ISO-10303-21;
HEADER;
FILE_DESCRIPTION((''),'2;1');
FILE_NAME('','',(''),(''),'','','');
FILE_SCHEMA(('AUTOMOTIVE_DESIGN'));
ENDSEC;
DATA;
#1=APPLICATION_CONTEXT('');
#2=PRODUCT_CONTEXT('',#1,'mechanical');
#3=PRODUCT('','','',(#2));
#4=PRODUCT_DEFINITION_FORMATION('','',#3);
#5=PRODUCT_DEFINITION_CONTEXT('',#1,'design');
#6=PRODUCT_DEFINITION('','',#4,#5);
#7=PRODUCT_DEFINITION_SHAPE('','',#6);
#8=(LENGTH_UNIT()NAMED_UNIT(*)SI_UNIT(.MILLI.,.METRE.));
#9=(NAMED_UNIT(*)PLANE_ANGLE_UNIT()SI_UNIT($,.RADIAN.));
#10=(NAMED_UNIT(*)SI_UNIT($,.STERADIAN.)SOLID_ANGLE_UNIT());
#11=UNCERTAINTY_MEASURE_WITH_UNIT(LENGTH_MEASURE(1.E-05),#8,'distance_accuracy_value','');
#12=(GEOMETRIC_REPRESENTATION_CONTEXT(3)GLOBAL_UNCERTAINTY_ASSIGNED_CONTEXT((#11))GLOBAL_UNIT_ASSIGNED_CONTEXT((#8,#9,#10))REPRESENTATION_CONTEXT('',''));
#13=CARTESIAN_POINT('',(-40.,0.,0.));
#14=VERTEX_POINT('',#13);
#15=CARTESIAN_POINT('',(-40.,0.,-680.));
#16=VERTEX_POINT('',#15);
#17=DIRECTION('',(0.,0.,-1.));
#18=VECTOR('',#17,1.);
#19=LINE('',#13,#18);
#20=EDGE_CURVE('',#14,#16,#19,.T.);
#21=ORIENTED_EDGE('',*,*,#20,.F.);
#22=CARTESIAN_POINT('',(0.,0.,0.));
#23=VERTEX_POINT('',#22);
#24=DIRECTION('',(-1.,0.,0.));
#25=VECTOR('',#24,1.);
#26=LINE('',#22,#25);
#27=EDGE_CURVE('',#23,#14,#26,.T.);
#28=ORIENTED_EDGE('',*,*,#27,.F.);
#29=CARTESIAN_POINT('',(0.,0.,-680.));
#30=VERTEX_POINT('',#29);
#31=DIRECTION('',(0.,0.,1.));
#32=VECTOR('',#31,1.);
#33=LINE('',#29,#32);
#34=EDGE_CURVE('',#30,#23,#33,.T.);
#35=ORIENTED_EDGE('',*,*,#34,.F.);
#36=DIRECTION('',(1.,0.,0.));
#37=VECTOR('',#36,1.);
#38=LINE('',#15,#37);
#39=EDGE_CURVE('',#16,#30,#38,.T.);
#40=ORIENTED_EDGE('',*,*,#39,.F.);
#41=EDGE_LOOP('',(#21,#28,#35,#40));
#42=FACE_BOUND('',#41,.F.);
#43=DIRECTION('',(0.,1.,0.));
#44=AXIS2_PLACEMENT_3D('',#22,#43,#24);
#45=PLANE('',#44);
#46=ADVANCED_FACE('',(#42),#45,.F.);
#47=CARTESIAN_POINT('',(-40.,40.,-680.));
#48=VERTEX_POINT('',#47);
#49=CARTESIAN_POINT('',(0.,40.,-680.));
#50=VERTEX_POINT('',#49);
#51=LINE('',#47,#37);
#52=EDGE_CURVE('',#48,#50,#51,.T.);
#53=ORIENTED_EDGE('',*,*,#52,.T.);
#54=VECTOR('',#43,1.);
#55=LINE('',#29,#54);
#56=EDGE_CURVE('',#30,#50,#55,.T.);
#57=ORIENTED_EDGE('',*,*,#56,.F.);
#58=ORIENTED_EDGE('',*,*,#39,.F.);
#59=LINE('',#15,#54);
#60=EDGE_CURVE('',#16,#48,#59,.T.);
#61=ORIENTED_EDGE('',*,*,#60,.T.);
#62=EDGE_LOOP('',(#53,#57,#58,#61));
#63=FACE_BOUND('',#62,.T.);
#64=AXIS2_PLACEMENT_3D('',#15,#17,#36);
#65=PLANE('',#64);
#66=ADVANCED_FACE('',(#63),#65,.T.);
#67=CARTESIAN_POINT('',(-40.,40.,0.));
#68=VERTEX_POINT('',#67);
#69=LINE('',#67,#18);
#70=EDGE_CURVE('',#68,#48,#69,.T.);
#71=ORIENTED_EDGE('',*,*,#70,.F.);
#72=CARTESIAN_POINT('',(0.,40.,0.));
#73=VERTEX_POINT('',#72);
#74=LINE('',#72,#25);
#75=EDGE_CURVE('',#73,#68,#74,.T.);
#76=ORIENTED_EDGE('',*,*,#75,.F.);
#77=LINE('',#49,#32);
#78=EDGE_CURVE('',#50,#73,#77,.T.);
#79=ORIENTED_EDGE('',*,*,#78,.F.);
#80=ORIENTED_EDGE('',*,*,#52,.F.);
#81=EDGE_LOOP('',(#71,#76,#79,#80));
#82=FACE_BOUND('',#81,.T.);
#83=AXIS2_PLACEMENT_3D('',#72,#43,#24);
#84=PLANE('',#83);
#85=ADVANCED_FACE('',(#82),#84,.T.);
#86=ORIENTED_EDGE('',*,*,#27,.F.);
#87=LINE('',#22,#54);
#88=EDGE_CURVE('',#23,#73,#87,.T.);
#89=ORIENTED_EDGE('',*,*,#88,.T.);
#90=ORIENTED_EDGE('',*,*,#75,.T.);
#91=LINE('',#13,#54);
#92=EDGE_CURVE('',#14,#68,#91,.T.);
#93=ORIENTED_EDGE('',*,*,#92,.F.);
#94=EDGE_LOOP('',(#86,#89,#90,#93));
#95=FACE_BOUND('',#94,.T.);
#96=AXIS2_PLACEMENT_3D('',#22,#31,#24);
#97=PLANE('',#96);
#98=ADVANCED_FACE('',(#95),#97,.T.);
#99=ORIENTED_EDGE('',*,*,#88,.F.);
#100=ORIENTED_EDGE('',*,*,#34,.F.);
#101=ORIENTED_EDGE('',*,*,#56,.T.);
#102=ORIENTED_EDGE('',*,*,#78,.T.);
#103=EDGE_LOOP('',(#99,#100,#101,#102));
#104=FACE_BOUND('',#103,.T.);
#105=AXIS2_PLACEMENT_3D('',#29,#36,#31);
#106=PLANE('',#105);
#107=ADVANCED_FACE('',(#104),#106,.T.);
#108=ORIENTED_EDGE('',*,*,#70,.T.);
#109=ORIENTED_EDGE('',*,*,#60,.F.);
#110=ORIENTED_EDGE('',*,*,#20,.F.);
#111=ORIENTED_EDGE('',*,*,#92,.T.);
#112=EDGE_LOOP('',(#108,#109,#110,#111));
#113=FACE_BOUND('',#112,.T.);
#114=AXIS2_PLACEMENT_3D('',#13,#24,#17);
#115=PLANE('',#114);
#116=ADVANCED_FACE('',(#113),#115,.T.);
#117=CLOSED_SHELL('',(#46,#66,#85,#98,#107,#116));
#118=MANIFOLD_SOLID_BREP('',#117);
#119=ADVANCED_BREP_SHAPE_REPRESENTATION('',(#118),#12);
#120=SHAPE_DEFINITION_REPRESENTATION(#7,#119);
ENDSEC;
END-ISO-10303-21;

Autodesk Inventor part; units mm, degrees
ref_plane "YZ Plane" through (0, 0, 0) normal (1, 0, 0) x (0, 1, 0)
ref_plane "XZ Plane" through (0, 0, 0) normal (0, 1, 0) x (-1, 0, 0)
ref_plane "XY Plane" through (0, 0, 0) normal (0, 0, 1) x (1, 0, 0)
sketch "Sketch1" plane through (0, 0, 0) normal (0, 1, 0) x (-1, 0, 0)
  line L0 (0, 0) -> (40, 0)
  line L1 (40, 0) -> (40, -680)
  line L2 (40, -680) -> (0, -680)
  line L3 (0, -680) -> (0, 0)
  dimension "d0" = 40
  dimension "d1" = 680
extrude "Extrusion1" add sketch "Sketch1" along normal blind 40
properties part number "AddBoundary1V1"
